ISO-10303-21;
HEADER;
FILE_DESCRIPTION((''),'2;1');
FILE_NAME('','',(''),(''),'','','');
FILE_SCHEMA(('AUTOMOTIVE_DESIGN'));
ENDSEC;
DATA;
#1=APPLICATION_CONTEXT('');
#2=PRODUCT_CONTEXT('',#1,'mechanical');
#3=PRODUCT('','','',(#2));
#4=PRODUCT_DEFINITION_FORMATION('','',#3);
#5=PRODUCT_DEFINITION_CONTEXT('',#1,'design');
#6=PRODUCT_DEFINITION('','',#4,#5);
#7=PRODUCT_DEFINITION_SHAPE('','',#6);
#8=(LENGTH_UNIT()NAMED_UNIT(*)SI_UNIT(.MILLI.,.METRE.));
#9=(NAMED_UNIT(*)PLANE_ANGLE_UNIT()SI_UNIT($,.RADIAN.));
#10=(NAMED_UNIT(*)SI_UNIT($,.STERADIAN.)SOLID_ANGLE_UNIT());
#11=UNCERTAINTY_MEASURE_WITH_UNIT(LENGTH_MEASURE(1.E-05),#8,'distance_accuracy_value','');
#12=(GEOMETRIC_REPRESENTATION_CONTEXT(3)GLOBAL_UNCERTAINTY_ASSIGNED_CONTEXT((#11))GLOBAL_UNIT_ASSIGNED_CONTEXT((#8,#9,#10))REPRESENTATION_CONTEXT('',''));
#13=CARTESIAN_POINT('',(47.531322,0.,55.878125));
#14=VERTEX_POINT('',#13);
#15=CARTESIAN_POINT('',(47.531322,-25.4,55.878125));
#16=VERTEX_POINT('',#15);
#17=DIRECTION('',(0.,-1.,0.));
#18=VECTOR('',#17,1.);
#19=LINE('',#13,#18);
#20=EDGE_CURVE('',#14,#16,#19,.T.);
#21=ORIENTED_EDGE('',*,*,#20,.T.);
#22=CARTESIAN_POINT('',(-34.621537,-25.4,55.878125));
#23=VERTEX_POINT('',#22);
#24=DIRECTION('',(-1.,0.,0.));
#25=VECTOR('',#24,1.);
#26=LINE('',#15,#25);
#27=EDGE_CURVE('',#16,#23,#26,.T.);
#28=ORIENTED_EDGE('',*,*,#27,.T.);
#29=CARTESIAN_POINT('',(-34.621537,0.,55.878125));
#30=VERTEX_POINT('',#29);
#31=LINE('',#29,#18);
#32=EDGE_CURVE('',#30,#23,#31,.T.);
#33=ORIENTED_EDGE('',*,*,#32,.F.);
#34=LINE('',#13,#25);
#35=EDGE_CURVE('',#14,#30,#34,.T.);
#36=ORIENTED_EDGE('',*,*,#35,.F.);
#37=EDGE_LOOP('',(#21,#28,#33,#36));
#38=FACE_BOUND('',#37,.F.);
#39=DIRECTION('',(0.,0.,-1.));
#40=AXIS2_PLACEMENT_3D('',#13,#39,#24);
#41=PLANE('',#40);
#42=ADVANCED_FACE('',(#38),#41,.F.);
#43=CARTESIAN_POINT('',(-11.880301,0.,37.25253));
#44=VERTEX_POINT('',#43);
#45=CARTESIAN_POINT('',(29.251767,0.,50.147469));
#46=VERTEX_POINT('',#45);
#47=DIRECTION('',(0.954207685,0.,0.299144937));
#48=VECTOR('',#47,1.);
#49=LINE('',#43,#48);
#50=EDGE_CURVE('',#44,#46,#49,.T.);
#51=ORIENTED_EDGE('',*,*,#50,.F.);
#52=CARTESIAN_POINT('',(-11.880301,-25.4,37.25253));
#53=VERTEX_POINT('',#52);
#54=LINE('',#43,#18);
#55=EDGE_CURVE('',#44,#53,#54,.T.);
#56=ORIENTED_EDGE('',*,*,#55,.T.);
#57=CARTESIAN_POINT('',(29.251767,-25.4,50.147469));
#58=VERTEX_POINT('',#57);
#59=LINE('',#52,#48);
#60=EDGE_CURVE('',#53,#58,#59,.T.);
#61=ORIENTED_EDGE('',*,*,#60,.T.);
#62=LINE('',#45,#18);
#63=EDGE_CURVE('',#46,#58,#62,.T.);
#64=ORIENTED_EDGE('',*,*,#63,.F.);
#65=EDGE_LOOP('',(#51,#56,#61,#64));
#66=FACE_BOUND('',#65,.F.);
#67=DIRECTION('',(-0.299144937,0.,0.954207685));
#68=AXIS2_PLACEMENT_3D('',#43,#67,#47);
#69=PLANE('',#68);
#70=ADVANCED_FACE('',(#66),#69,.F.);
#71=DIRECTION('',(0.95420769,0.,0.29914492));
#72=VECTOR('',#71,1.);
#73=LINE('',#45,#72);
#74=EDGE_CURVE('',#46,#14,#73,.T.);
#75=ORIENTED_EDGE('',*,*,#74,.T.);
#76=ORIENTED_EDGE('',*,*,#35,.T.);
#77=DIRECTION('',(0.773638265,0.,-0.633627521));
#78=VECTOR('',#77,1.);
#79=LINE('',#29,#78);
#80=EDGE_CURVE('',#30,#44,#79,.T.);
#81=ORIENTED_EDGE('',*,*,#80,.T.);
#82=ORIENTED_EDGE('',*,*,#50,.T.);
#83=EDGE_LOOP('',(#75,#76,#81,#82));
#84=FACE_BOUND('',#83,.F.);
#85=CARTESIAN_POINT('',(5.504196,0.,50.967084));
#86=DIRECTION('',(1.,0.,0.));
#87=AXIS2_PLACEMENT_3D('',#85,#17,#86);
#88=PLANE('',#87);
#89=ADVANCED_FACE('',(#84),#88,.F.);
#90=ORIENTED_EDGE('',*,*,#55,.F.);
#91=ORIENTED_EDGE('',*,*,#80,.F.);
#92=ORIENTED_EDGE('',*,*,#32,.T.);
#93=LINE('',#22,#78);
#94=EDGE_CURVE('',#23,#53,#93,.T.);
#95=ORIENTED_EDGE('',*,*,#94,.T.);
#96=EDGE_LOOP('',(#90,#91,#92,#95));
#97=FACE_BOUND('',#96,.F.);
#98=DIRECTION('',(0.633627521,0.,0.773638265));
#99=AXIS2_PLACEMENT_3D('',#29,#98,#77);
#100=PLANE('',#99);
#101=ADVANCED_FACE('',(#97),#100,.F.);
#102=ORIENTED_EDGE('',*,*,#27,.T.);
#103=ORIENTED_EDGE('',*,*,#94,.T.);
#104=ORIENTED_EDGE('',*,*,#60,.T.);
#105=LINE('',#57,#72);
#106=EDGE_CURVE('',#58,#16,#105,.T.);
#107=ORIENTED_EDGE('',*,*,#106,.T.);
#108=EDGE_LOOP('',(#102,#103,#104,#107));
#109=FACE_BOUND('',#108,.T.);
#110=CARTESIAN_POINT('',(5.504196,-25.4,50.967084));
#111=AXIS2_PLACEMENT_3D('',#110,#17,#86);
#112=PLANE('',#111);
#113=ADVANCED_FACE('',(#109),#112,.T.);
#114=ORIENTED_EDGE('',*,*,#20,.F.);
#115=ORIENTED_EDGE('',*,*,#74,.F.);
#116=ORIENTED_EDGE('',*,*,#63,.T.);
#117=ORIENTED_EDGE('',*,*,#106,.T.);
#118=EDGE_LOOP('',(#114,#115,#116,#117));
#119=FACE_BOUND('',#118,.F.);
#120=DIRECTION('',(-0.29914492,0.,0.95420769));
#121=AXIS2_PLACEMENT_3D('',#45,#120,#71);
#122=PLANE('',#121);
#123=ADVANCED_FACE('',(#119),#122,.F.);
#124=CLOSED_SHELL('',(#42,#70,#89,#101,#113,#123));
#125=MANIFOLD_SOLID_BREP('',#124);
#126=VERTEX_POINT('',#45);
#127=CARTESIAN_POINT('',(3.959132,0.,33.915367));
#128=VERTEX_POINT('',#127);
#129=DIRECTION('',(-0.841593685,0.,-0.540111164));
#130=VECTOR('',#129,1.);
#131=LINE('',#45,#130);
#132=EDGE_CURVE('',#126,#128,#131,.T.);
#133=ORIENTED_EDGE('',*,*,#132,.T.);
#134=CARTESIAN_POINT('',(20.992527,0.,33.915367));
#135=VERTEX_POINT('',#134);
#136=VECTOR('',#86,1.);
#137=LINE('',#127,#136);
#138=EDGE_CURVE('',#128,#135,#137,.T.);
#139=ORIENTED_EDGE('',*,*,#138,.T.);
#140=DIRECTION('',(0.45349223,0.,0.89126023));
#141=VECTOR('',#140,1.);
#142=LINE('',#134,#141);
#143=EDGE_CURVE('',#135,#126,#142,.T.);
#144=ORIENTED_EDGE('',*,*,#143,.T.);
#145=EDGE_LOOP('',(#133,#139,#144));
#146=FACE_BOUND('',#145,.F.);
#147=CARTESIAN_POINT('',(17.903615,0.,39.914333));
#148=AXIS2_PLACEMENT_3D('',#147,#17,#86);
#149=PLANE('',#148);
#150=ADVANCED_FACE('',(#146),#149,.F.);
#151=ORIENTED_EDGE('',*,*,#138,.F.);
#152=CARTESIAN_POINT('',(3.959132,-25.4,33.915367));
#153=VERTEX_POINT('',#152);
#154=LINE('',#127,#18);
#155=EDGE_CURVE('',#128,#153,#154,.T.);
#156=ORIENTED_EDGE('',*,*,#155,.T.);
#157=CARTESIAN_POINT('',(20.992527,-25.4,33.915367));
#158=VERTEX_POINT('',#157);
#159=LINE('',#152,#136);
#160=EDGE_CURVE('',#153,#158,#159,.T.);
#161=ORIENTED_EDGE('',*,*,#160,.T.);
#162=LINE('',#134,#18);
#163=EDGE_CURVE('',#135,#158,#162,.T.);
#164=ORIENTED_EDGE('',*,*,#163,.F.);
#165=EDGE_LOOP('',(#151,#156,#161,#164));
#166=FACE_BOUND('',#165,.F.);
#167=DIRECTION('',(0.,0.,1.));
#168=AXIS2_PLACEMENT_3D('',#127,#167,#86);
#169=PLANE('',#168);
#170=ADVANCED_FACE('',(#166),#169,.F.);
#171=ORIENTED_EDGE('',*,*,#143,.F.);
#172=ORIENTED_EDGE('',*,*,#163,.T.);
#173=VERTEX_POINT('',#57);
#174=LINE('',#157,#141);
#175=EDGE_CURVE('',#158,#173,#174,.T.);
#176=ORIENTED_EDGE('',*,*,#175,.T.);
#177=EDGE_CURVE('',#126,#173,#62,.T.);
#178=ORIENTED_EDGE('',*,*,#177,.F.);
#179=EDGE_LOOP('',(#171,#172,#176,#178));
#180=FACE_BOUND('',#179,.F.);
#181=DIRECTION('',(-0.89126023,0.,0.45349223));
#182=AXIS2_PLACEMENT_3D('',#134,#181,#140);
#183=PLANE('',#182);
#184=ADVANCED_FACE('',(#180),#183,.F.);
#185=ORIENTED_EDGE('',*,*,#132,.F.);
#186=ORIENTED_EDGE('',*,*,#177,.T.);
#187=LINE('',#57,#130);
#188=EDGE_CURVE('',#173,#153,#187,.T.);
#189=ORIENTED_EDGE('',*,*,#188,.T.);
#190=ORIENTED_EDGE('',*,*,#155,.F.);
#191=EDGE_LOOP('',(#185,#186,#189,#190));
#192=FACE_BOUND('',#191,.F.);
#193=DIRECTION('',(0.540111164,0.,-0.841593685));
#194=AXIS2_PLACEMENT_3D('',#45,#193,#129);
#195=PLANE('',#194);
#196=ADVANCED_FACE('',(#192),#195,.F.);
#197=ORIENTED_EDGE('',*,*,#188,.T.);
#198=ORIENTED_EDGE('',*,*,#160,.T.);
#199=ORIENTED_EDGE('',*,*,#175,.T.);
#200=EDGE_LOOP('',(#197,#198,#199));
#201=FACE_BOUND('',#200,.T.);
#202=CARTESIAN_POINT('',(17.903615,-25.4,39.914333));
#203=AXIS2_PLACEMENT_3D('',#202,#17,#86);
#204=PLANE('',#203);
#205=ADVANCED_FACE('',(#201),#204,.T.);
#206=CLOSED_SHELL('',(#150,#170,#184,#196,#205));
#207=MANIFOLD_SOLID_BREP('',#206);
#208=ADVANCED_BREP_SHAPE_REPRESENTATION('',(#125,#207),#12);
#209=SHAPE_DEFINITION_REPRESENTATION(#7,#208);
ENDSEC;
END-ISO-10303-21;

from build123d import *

# Parameters (mm, degrees)
F1_DEPTH = 25.4


with BuildPart() as f1:
    # F0 (on Front) → F1 (new body)
    with BuildSketch(Plane.XZ):
        Polygon((20.992527, 33.915367), (29.251767, 50.147469), (3.959132, 33.915367), align=None)
        Polygon((47.531322, 55.878125), (-34.621537, 55.878125), (-11.880301, 37.25253), (29.251767, 50.147469), align=None)
    extrude(amount=F1_DEPTH)


solid = f1.part
